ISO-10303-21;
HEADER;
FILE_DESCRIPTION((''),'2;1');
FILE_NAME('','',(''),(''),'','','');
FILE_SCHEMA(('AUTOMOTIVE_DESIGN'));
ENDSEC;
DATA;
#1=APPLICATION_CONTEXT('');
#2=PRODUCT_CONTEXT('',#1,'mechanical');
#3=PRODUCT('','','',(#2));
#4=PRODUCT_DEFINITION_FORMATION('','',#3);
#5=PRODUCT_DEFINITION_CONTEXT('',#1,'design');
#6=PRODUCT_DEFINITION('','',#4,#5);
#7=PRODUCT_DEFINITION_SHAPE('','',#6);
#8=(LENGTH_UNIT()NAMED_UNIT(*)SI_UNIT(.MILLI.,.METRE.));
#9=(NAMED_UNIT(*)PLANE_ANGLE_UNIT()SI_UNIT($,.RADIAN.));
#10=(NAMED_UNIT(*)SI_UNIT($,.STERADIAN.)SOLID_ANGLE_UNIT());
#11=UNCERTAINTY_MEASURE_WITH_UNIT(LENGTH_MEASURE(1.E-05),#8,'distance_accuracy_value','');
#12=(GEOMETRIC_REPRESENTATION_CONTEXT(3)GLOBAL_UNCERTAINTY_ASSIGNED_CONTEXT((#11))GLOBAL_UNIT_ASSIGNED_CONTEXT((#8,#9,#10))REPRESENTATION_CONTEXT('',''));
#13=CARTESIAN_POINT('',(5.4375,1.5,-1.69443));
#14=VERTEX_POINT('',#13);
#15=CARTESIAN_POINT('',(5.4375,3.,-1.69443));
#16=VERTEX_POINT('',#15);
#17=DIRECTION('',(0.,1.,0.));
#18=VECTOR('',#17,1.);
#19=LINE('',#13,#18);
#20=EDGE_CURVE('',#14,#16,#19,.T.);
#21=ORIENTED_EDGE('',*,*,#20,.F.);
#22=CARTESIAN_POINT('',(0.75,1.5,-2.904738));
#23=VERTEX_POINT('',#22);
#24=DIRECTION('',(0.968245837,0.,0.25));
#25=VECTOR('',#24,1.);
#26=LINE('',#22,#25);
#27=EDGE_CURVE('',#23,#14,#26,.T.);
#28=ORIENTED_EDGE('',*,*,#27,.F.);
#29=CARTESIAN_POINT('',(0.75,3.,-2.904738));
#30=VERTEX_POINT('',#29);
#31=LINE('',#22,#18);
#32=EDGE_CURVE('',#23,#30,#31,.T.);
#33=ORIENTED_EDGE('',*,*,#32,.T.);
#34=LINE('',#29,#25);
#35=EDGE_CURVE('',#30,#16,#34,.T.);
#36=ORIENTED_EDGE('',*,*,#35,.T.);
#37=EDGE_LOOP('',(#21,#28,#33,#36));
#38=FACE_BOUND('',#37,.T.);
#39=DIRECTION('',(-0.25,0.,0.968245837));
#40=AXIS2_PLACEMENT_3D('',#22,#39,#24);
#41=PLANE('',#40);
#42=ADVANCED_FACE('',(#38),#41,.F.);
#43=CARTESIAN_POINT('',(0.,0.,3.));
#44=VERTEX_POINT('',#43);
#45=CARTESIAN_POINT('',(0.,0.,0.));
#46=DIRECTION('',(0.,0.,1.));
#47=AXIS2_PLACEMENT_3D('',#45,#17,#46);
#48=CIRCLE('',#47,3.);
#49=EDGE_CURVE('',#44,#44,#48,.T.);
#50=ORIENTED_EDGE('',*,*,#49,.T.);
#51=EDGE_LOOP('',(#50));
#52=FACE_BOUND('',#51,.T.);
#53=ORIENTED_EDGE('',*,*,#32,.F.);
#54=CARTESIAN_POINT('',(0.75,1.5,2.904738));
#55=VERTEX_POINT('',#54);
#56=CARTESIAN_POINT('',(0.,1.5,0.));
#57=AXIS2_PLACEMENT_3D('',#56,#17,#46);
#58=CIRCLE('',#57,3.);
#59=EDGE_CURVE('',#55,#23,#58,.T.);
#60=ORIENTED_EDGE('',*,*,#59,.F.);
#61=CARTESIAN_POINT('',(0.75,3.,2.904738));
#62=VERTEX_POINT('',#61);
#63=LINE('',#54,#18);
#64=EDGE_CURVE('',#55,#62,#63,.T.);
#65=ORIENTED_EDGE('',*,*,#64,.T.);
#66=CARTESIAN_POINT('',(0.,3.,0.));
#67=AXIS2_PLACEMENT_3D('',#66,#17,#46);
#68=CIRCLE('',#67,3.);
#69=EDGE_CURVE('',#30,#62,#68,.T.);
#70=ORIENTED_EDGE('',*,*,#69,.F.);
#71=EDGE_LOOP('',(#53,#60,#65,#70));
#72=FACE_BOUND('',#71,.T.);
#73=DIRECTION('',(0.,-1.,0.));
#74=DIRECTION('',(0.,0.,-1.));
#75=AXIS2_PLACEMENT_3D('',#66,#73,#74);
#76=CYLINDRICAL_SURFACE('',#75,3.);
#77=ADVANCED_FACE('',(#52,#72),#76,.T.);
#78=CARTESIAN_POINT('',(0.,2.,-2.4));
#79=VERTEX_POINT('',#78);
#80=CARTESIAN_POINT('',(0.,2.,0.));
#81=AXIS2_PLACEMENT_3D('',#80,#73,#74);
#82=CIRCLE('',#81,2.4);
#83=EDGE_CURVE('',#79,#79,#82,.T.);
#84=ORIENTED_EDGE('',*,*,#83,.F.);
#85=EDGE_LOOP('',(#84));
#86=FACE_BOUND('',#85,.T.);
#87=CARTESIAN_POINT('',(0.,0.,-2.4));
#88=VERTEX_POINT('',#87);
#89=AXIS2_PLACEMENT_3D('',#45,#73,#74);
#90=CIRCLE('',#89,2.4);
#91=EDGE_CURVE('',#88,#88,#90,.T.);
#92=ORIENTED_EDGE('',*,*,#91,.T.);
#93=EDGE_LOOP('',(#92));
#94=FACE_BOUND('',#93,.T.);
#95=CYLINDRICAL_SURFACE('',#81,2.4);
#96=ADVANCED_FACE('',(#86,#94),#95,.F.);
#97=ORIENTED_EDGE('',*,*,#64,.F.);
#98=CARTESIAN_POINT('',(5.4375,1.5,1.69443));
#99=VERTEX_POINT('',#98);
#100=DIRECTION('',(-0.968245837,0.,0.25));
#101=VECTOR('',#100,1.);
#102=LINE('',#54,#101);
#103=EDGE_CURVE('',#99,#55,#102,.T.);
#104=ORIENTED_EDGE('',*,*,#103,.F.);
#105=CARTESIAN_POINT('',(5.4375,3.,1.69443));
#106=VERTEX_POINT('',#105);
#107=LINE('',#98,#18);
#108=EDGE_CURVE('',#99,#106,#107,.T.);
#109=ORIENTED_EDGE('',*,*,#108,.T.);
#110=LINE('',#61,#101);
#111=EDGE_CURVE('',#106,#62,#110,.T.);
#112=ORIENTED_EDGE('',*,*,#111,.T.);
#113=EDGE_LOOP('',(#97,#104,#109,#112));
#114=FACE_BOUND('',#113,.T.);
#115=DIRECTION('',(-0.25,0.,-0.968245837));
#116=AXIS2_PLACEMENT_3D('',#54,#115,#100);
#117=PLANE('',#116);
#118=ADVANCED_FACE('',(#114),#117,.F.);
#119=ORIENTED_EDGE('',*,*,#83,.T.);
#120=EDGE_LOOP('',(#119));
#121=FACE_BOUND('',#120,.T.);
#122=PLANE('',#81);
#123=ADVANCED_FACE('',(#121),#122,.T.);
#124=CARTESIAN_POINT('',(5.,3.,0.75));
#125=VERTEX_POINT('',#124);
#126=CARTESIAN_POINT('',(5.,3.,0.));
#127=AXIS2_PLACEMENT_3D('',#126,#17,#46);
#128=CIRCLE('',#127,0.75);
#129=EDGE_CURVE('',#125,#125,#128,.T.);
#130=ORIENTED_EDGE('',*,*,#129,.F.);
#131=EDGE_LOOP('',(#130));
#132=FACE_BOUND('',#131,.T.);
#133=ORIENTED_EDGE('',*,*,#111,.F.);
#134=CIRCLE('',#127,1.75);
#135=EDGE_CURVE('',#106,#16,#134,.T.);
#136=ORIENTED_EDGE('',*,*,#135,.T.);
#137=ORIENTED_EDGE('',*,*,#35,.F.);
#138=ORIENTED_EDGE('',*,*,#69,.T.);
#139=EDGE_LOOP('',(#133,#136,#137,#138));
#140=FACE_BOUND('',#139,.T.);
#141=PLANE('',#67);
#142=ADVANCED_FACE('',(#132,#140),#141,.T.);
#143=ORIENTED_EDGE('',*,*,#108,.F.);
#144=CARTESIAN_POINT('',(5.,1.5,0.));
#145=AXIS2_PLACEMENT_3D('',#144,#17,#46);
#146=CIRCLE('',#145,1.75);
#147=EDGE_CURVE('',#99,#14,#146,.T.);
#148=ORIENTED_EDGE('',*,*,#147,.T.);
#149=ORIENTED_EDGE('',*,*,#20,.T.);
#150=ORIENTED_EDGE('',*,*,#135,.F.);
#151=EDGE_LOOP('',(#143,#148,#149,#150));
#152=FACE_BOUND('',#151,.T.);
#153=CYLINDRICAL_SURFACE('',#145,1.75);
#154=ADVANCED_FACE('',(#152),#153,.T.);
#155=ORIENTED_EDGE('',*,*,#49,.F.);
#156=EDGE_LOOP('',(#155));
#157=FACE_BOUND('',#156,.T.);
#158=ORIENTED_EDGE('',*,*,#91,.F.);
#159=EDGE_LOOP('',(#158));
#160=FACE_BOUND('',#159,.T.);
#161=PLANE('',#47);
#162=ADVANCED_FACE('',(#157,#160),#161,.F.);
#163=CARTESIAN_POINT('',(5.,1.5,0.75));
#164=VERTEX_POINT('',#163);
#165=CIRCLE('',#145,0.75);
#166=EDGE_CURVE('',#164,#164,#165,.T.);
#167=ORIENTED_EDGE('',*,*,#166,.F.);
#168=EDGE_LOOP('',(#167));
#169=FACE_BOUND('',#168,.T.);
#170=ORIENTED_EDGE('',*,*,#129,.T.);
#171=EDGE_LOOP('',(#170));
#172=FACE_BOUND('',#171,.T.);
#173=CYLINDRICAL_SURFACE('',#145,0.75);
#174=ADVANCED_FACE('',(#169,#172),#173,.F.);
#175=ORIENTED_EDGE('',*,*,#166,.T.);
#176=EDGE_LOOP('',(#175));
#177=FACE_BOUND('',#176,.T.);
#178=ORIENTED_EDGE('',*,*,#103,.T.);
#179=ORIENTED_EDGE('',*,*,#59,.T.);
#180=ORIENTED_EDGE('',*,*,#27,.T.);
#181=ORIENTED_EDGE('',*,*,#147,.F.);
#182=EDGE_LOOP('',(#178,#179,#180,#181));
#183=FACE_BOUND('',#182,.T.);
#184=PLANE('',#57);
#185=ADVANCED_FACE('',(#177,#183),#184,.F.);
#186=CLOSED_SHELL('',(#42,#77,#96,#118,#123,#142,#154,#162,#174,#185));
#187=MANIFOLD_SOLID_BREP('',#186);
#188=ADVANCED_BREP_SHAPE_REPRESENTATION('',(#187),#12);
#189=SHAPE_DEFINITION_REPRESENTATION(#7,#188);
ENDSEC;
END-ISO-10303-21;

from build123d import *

# Parameters (mm, degrees)
CROQUIS1_R              = 3
SALIENTE_EXTRUIR1_DEPTH = 3
SALIENTE_EXTRUIR2_START = -1.5
CROQUIS2_R              = 0.75
SALIENTE_EXTRUIR2_DEPTH = 1.5
CROQUIS3_R              = 2.4
CORTAR_EXTRUIR1_DEPTH   = 2


with BuildPart() as part:
    # Croquis1 → Saliente-Extruir1 (new body)
    with BuildSketch(Plane(origin=(0, 0, 0), x_dir=(1, 0, 0), z_dir=(0, 1, 0))):
        with Locations(Location((0, 0, 0), (0, 0, 270))):
            Circle(CROQUIS1_R)
    extrude(amount=SALIENTE_EXTRUIR1_DEPTH)

    # Croquis2 → Saliente-Extruir2 (add)
    with BuildSketch(Plane(origin=(0, 3, 0), x_dir=(1, 0, 0), z_dir=(0, 1, 0)).offset(SALIENTE_EXTRUIR2_START)):
        with BuildLine():
            Line((5.4375, 1.694430214), (0.75, 2.90473751))
            ThreePointArc((0.75, 2.90473751), (2.371708245, 1.837117307), (3, 0))
            ThreePointArc((3, 0), (2.371708245, -1.837117307), (0.75, -2.90473751))
            Line((0.75, -2.90473751), (5.4375, -1.694430214))
            ThreePointArc((5.4375, -1.694430214), (6.75, 0), (5.4375, 1.694430214))
        make_face()
        with Locations(Location((5, 0, 0), (0, 0, 270))):
            Circle(CROQUIS2_R, mode=Mode.SUBTRACT)
    extrude(amount=SALIENTE_EXTRUIR2_DEPTH)

    # Croquis3 → Cortar-Extruir1 (cut)
    with BuildSketch(Plane.XZ):
        with Locations(Location((0, 0, 0), (0, 0, 270))):
            Circle(CROQUIS3_R)
    extrude(amount=-CORTAR_EXTRUIR1_DEPTH, mode=Mode.SUBTRACT)


solid = part.part
